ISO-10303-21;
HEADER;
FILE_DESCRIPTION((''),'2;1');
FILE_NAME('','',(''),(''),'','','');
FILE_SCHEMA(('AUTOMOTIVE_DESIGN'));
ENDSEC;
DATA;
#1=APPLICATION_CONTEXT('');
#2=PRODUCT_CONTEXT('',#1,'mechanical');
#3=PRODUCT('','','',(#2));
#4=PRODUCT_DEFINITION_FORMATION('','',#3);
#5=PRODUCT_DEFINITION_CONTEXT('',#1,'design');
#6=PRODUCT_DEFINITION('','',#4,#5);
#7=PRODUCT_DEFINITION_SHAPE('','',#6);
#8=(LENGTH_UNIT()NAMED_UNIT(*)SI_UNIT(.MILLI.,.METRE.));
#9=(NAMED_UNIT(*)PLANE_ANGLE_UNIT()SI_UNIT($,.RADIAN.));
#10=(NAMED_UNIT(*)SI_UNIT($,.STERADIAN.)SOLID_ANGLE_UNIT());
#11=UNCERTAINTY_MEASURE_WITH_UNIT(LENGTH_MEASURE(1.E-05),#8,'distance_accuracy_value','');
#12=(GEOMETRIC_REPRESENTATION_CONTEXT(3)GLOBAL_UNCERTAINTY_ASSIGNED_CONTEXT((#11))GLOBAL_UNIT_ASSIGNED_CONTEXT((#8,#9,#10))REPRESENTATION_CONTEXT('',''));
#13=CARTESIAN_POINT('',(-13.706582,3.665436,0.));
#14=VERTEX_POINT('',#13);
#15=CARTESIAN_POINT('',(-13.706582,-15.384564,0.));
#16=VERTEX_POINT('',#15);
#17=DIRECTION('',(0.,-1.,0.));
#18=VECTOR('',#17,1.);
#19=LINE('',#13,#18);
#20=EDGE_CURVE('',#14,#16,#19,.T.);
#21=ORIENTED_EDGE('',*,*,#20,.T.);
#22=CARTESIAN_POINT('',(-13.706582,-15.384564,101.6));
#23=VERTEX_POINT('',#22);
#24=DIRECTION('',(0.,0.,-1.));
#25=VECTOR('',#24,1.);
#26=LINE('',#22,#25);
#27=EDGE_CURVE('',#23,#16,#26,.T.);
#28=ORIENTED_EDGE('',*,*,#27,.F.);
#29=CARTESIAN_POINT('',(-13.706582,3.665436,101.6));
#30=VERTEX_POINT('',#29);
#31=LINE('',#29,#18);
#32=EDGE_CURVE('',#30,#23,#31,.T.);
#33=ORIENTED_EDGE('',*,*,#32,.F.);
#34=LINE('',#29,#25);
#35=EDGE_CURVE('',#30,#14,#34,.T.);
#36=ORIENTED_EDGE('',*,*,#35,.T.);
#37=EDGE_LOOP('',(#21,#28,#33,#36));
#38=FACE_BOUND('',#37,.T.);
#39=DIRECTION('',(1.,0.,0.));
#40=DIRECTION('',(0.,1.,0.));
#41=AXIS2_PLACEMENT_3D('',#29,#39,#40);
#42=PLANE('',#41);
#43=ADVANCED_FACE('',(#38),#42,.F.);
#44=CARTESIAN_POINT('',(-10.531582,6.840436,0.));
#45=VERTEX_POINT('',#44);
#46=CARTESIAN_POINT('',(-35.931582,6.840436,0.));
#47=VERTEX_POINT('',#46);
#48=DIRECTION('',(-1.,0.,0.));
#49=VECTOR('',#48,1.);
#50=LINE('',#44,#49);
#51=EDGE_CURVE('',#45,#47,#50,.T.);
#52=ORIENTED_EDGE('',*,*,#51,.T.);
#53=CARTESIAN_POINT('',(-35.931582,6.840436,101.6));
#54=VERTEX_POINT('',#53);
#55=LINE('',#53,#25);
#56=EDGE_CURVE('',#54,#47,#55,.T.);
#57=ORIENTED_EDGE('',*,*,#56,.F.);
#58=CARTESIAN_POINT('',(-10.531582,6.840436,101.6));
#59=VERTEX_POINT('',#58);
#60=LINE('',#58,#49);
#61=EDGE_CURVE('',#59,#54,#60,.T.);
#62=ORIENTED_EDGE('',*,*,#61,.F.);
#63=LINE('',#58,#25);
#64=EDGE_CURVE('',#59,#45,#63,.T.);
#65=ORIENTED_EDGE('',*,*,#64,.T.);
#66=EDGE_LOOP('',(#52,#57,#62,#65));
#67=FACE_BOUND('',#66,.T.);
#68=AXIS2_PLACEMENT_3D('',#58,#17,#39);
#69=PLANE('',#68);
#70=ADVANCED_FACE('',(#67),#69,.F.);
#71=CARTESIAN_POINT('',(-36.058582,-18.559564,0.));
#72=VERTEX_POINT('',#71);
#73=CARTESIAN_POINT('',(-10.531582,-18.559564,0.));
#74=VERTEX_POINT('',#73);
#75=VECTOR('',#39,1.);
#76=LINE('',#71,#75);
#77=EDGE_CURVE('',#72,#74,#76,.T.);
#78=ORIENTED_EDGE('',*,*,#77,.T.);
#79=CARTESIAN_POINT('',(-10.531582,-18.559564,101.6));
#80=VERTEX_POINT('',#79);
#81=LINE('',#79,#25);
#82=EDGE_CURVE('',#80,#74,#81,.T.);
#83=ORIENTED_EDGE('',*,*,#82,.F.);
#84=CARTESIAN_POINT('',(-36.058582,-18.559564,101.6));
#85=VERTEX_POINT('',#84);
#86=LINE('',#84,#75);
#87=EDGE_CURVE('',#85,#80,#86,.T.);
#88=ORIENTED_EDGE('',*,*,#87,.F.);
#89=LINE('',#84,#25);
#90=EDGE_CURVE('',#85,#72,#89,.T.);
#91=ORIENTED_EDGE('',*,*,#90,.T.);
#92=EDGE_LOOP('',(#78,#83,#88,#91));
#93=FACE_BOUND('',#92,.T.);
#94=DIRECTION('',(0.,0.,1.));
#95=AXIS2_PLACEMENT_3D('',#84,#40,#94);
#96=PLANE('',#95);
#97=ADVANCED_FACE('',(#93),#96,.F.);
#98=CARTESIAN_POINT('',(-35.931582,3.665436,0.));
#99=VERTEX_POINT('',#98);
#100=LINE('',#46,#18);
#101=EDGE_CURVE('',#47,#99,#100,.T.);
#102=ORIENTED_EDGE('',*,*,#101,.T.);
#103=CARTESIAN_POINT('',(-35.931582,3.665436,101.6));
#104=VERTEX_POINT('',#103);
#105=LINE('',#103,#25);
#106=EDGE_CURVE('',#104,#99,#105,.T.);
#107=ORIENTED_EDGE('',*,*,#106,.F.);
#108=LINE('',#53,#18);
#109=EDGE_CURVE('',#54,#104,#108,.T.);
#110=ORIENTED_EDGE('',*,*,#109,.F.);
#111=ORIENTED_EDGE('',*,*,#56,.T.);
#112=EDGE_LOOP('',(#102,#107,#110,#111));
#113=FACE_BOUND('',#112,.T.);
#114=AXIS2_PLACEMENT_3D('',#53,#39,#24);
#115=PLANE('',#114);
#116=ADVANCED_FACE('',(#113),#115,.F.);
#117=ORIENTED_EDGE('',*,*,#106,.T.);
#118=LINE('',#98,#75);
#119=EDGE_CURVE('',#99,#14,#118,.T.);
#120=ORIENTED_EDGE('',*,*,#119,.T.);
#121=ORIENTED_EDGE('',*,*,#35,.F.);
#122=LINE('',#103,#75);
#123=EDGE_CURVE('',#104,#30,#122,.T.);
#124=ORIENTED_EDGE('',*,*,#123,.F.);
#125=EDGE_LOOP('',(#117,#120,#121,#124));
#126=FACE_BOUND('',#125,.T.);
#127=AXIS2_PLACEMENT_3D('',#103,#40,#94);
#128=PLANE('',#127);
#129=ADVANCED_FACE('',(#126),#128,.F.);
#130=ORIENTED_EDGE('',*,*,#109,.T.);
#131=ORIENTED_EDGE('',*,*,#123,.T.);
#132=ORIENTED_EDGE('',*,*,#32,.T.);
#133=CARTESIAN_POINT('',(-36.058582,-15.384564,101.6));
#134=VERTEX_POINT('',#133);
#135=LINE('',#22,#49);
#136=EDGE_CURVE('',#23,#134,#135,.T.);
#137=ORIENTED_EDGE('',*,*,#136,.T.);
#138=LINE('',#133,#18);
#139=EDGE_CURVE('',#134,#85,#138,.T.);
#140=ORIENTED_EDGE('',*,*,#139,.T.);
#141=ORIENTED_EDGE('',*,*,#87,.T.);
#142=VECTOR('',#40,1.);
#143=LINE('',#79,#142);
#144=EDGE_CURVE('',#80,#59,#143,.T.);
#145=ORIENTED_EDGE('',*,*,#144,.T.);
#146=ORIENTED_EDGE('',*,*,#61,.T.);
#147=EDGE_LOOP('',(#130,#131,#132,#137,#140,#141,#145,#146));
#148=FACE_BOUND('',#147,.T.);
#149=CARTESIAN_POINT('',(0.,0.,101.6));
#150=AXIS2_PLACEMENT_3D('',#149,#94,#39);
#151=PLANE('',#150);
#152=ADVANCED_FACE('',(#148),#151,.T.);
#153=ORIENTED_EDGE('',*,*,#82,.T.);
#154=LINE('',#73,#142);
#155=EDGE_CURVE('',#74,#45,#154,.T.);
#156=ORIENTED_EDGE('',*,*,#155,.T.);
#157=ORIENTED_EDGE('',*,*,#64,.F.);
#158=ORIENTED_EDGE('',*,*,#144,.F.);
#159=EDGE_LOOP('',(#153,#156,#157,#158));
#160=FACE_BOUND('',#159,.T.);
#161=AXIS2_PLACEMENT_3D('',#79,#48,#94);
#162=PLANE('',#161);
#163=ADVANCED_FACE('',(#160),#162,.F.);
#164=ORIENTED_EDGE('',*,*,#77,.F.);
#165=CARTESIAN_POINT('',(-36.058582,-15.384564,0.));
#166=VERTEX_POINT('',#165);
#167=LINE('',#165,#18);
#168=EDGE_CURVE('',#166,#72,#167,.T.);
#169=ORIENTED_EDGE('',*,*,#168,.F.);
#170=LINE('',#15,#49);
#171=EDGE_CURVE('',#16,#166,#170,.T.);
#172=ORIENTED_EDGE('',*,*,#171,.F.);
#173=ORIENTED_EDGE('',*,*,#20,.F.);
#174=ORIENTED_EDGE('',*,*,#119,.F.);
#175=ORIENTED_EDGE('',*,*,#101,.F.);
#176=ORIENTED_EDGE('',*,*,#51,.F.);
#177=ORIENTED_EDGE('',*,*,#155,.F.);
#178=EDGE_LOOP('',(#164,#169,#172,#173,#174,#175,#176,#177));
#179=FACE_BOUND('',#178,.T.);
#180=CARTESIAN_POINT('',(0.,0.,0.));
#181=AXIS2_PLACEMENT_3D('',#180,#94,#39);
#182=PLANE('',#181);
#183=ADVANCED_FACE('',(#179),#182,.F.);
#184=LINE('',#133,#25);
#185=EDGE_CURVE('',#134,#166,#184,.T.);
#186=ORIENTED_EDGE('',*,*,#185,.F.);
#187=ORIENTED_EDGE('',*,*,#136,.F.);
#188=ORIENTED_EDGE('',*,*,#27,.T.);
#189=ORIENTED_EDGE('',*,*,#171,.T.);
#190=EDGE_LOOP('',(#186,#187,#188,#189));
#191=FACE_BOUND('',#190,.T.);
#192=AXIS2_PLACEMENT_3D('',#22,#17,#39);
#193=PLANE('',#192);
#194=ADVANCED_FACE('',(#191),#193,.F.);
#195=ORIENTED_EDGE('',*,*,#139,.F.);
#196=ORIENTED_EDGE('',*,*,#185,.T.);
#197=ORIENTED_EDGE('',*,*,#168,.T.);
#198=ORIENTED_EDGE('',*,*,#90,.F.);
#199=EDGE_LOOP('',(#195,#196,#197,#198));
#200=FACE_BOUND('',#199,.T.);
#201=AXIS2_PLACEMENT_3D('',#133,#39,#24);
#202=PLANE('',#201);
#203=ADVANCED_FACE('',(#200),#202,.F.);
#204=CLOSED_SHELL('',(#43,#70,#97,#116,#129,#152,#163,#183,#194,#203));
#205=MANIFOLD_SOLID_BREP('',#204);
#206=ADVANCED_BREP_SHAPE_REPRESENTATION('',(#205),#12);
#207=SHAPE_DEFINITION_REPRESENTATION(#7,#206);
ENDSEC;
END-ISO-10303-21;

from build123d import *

# Parameters (mm, degrees)
BOSS_EXTRUDE2_DEPTH = 101.6


with BuildPart() as part:
    # Sketch1 → Boss-Extrude2 (new body)
    with BuildSketch(Plane.XY):
        Polygon((-35.931581634, 6.840435924), (-35.931581634, 3.665435924), (-13.706581634, 3.665435924), (-13.706581634, -15.384564076), (-36.058581634, -15.384564076), (-36.058581634, -18.559564076), (-10.531581634, -18.559564076), (-10.531581634, 6.840435924), align=None)
    extrude(amount=BOSS_EXTRUDE2_DEPTH)


solid = part.part
